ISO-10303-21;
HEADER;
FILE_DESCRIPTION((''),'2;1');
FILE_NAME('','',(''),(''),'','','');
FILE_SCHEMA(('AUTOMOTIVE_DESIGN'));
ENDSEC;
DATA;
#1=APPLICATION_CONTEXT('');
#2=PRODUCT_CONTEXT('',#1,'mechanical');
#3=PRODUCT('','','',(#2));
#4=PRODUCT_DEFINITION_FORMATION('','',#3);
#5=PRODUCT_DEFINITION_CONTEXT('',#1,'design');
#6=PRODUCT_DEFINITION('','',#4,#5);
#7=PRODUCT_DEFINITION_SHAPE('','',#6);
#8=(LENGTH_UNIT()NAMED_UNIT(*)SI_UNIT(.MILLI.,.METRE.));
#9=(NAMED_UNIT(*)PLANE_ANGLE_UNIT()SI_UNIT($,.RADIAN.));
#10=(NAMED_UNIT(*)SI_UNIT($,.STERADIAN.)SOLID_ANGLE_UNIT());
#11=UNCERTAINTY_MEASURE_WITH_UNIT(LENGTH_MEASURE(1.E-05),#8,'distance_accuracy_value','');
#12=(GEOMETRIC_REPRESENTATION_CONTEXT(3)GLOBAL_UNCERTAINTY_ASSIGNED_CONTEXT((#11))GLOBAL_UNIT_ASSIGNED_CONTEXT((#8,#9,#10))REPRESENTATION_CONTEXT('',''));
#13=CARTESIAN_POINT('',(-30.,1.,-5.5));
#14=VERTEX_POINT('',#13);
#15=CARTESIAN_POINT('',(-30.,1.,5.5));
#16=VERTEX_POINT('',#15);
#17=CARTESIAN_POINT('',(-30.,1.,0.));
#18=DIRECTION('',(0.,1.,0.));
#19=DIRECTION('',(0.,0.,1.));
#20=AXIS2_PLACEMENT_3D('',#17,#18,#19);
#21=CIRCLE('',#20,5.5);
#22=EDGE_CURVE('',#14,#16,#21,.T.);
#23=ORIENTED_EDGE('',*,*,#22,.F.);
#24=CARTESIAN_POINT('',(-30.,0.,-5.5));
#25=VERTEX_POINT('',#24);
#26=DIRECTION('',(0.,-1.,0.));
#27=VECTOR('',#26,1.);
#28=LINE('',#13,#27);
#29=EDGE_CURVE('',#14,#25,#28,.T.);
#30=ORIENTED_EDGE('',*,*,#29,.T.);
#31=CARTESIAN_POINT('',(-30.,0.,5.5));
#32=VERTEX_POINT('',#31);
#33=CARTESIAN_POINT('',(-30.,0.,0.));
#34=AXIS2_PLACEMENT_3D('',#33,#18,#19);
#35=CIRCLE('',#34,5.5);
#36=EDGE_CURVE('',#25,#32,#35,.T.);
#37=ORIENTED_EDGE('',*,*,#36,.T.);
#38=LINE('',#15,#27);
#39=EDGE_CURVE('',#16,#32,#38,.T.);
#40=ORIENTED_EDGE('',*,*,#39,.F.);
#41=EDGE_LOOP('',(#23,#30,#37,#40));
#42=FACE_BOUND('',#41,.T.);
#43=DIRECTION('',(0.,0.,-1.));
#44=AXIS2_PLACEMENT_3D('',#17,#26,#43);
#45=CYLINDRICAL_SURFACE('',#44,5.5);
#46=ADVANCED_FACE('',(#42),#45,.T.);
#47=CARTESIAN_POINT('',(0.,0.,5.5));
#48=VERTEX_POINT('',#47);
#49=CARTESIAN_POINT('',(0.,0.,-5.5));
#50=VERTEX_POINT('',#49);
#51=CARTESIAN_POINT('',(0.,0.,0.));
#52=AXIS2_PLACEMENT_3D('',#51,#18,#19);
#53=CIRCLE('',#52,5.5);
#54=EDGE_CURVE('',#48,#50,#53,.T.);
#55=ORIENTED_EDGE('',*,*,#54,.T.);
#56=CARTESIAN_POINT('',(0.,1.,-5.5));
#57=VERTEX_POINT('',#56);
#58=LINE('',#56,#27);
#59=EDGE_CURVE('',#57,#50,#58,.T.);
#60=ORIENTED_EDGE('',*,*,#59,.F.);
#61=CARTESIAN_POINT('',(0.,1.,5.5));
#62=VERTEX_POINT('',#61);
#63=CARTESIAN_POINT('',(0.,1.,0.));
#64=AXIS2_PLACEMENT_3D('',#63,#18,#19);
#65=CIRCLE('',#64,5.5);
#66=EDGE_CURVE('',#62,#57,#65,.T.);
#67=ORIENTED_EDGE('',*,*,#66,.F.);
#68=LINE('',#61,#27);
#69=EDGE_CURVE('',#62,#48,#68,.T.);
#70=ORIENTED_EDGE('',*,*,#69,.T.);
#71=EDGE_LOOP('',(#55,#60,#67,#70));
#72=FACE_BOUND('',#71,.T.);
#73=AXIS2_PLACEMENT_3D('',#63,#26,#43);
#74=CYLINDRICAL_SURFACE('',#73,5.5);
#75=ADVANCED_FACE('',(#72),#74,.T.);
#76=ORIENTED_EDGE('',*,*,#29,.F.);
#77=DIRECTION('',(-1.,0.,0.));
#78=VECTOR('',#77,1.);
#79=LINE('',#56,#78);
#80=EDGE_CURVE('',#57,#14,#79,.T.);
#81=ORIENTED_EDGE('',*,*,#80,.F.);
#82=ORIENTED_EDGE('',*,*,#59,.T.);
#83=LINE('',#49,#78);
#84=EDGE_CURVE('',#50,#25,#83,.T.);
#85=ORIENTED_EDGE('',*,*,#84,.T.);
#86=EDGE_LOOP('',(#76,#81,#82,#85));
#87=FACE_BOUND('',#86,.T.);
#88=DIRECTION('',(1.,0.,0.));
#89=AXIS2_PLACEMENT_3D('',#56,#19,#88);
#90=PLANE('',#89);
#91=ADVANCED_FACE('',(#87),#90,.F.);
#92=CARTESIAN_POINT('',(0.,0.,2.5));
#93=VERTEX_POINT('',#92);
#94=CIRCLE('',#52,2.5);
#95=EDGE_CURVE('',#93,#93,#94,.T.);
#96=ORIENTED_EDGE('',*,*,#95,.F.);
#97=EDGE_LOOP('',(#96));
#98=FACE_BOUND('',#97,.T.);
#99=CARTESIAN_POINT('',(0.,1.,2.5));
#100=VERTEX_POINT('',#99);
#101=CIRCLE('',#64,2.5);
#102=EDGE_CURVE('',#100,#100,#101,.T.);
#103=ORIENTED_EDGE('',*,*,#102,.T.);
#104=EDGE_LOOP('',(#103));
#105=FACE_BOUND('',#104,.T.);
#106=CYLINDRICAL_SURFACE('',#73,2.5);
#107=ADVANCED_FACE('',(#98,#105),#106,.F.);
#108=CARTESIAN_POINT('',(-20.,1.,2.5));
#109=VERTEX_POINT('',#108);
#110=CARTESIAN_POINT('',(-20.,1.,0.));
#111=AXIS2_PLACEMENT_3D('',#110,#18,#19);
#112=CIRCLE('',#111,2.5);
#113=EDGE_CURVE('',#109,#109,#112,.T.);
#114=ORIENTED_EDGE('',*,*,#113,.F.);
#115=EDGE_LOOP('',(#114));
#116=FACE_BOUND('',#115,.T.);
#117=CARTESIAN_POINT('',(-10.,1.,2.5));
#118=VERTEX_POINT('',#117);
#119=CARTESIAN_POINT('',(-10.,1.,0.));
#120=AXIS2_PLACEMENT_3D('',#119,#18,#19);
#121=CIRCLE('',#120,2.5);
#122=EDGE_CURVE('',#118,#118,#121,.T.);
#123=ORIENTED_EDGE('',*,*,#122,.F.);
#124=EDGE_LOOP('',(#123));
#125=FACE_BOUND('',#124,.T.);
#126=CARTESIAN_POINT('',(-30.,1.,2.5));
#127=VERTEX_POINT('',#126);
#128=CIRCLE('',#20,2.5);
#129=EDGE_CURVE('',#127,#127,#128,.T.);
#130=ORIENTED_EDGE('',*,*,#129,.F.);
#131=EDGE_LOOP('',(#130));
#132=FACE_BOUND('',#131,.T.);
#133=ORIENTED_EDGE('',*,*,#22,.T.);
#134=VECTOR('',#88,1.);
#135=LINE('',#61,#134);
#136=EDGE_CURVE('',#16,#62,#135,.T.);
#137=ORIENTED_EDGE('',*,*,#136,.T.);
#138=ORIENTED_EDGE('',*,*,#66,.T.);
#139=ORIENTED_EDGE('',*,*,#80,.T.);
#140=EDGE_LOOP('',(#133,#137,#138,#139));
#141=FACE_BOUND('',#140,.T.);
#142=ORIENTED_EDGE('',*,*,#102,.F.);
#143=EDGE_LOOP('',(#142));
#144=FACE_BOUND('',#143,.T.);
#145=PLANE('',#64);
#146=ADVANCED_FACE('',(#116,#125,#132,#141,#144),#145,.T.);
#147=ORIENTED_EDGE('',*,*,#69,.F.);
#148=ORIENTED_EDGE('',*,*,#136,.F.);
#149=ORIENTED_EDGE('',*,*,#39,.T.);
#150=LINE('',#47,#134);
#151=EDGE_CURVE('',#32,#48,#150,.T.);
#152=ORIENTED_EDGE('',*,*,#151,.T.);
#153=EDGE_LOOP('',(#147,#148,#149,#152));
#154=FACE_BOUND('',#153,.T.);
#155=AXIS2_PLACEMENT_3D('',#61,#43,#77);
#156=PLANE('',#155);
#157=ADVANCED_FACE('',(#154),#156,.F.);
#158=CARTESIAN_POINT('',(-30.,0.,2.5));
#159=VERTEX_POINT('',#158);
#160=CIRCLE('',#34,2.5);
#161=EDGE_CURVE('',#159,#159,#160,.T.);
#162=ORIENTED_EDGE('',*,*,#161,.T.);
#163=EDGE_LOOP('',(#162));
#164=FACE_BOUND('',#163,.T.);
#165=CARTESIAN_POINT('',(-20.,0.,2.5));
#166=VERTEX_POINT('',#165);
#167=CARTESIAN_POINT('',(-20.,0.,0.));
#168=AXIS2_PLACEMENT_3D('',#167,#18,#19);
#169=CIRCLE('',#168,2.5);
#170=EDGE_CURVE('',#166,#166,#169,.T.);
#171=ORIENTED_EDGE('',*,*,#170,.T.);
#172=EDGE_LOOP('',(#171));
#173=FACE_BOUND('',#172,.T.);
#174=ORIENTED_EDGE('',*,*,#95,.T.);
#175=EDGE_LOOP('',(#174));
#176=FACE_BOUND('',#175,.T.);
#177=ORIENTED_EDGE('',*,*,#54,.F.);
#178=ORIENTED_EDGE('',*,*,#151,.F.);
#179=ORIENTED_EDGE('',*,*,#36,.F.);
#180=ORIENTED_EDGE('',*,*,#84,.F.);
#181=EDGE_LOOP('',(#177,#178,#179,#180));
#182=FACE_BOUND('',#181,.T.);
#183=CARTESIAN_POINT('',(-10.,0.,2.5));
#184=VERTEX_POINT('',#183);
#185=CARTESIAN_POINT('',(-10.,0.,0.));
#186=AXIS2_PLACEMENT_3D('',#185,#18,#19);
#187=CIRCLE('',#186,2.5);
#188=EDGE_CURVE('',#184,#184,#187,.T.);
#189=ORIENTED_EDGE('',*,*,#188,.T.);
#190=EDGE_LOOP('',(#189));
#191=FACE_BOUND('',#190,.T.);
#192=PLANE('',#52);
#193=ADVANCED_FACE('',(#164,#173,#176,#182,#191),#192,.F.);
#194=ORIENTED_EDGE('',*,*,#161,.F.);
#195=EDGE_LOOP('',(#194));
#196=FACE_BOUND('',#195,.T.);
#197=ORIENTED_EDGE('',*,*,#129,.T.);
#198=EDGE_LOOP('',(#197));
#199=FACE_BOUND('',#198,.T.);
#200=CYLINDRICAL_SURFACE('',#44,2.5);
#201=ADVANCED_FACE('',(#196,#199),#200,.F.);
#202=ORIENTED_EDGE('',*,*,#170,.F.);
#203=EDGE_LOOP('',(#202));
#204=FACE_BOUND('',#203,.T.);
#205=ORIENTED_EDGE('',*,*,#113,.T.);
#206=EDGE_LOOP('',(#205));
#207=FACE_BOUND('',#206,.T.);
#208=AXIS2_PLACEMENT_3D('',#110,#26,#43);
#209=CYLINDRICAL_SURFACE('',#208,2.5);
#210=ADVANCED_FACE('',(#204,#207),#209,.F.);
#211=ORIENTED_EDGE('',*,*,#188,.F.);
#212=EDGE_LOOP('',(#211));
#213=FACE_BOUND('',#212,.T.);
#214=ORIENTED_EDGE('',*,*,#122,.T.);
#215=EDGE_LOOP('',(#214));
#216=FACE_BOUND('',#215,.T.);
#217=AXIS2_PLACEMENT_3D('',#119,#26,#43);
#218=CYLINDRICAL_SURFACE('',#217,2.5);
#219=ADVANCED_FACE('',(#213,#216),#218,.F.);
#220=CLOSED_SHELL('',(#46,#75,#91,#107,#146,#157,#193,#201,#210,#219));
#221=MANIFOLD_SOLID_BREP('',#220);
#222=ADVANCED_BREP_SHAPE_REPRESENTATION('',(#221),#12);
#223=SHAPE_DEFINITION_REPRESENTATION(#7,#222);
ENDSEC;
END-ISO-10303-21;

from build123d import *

# Parameters (mm, degrees)
SKIZZE1_R                       = 2.5
AUFSATZ_LINEAR_AUSTRAGEN1_DEPTH = 1


with BuildPart() as part:
    # Skizze1 → Aufsatz-Linear austragen1 (new body)
    with BuildSketch(Plane(origin=(0, 0, 0), x_dir=(1, 0, 0), z_dir=(0, 1, 0))):
        with BuildLine():
            Line((0, -5.5), (-30, -5.5))
            ThreePointArc((-30, -5.5), (-35.5, 0), (-30, 5.5))
            Line((-30, 5.5), (0, 5.5))
            ThreePointArc((0, 5.5), (5.5, 0), (0, -5.5))
        make_face()
        with Locations(Location((0, 0, 0), (0, 0, 270))):
            Circle(SKIZZE1_R, mode=Mode.SUBTRACT)
        with Locations(Location((-20, 0, 0), (0, 0, 270))):
            Circle(SKIZZE1_R, mode=Mode.SUBTRACT)
        with Locations(Location((-10, 0, 0), (0, 0, 270))):
            Circle(SKIZZE1_R, mode=Mode.SUBTRACT)
        with Locations(Location((-30, 0, 0), (0, 0, 270))):
            Circle(SKIZZE1_R, mode=Mode.SUBTRACT)
    extrude(amount=AUFSATZ_LINEAR_AUSTRAGEN1_DEPTH)


solid = part.part
